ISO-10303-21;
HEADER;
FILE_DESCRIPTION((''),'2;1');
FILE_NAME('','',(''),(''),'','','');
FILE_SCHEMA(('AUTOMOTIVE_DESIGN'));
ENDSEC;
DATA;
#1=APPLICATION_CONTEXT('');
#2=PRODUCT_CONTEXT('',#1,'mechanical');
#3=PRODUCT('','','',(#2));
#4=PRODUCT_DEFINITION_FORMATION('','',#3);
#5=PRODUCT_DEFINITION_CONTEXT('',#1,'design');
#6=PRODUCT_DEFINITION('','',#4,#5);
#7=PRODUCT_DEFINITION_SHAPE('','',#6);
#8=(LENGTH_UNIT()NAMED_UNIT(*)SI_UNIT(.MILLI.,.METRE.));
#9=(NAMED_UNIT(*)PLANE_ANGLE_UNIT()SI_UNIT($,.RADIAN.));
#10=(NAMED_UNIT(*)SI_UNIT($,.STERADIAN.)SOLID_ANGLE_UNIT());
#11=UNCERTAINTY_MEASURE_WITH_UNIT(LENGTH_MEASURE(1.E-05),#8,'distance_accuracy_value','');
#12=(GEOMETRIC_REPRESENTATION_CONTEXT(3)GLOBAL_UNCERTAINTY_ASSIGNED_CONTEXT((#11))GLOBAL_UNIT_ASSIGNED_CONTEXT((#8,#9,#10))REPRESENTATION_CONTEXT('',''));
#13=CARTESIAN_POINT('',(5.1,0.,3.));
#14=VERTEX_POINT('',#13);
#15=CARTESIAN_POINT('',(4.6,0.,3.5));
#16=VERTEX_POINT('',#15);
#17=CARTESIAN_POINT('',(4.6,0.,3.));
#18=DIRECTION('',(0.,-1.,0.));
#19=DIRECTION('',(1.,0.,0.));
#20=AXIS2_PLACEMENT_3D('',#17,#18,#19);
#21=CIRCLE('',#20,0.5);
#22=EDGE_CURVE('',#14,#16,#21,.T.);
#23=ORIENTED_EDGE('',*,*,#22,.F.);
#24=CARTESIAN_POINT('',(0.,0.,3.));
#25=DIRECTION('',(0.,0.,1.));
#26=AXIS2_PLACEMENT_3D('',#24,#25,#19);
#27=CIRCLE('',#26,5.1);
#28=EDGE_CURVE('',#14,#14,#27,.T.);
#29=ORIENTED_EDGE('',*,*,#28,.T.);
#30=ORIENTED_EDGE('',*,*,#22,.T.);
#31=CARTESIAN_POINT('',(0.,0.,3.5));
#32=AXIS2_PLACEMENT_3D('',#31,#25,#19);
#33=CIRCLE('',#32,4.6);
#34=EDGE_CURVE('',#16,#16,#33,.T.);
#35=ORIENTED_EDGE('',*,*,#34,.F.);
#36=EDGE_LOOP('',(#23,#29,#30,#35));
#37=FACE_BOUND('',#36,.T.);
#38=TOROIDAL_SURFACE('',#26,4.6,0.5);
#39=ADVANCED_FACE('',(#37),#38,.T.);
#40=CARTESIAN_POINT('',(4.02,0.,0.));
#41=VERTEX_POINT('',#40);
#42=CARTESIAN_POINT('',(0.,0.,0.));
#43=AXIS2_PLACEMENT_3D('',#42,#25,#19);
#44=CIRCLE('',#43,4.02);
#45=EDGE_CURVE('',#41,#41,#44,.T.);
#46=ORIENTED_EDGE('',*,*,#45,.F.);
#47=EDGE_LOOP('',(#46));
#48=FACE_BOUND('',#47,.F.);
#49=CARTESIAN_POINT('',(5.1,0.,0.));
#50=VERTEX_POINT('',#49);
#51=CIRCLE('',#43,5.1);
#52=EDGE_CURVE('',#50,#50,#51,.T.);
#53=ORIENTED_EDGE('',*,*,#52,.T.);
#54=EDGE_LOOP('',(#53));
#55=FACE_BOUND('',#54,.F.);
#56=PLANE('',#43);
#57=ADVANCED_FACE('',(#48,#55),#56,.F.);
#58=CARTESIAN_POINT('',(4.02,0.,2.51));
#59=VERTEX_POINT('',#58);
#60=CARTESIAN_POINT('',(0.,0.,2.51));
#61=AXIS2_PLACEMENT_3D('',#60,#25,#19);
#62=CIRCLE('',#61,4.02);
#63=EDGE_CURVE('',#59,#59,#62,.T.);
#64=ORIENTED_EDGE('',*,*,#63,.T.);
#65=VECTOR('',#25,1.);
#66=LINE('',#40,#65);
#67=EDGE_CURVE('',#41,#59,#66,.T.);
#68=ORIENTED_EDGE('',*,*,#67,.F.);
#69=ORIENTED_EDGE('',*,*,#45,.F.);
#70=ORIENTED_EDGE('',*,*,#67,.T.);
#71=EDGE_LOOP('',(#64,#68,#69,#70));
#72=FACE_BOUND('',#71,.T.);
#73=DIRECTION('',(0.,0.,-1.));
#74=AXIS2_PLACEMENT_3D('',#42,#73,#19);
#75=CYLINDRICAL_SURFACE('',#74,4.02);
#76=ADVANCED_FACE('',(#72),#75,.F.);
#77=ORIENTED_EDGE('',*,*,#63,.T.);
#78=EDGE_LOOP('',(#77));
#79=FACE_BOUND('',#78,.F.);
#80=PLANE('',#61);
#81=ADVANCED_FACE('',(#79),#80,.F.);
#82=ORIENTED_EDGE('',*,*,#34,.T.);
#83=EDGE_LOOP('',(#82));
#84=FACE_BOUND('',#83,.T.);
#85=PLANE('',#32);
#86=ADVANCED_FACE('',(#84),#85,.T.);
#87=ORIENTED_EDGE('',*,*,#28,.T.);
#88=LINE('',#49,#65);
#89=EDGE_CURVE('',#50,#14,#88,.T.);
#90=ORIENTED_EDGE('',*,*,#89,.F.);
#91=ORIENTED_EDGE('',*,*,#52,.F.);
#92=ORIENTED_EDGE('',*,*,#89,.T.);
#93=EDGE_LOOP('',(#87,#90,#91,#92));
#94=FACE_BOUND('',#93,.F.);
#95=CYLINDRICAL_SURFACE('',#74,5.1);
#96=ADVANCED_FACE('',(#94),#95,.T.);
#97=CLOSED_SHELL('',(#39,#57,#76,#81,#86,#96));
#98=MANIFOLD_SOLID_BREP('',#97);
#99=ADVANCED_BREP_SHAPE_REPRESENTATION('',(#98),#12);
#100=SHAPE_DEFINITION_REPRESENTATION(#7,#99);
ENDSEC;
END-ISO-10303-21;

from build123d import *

# Parameters (mm, degrees)
CYLINDER001_R     = 4.02
CYLINDER001_DEPTH = 2.51
CYLINDER_R        = 5.1
CYLINDER_DEPTH    = 3.5
FILLET_R          = 0.5


with BuildPart() as cylinder001:
    # Cylinder001 → Cylinder001 (new body)
    with BuildSketch(Plane.XY):
        Circle(CYLINDER001_R)
    extrude(amount=CYLINDER001_DEPTH)


with BuildPart() as fillet_body:
    # Cylinder → Cylinder (new body)
    with BuildSketch(Plane.XY):
        Circle(CYLINDER_R)
    extrude(amount=CYLINDER_DEPTH)

    # Cut: cut Cylinder001
    add(cylinder001.part, mode=Mode.SUBTRACT)

    # Fillet
    fillet_edges = [fillet_body.edges().sort_by_distance(p)[0] for p in [
        (-5.1, 0, 3.5),
    ]]
    fillet(fillet_edges, radius=FILLET_R)


solid = fillet_body.part
